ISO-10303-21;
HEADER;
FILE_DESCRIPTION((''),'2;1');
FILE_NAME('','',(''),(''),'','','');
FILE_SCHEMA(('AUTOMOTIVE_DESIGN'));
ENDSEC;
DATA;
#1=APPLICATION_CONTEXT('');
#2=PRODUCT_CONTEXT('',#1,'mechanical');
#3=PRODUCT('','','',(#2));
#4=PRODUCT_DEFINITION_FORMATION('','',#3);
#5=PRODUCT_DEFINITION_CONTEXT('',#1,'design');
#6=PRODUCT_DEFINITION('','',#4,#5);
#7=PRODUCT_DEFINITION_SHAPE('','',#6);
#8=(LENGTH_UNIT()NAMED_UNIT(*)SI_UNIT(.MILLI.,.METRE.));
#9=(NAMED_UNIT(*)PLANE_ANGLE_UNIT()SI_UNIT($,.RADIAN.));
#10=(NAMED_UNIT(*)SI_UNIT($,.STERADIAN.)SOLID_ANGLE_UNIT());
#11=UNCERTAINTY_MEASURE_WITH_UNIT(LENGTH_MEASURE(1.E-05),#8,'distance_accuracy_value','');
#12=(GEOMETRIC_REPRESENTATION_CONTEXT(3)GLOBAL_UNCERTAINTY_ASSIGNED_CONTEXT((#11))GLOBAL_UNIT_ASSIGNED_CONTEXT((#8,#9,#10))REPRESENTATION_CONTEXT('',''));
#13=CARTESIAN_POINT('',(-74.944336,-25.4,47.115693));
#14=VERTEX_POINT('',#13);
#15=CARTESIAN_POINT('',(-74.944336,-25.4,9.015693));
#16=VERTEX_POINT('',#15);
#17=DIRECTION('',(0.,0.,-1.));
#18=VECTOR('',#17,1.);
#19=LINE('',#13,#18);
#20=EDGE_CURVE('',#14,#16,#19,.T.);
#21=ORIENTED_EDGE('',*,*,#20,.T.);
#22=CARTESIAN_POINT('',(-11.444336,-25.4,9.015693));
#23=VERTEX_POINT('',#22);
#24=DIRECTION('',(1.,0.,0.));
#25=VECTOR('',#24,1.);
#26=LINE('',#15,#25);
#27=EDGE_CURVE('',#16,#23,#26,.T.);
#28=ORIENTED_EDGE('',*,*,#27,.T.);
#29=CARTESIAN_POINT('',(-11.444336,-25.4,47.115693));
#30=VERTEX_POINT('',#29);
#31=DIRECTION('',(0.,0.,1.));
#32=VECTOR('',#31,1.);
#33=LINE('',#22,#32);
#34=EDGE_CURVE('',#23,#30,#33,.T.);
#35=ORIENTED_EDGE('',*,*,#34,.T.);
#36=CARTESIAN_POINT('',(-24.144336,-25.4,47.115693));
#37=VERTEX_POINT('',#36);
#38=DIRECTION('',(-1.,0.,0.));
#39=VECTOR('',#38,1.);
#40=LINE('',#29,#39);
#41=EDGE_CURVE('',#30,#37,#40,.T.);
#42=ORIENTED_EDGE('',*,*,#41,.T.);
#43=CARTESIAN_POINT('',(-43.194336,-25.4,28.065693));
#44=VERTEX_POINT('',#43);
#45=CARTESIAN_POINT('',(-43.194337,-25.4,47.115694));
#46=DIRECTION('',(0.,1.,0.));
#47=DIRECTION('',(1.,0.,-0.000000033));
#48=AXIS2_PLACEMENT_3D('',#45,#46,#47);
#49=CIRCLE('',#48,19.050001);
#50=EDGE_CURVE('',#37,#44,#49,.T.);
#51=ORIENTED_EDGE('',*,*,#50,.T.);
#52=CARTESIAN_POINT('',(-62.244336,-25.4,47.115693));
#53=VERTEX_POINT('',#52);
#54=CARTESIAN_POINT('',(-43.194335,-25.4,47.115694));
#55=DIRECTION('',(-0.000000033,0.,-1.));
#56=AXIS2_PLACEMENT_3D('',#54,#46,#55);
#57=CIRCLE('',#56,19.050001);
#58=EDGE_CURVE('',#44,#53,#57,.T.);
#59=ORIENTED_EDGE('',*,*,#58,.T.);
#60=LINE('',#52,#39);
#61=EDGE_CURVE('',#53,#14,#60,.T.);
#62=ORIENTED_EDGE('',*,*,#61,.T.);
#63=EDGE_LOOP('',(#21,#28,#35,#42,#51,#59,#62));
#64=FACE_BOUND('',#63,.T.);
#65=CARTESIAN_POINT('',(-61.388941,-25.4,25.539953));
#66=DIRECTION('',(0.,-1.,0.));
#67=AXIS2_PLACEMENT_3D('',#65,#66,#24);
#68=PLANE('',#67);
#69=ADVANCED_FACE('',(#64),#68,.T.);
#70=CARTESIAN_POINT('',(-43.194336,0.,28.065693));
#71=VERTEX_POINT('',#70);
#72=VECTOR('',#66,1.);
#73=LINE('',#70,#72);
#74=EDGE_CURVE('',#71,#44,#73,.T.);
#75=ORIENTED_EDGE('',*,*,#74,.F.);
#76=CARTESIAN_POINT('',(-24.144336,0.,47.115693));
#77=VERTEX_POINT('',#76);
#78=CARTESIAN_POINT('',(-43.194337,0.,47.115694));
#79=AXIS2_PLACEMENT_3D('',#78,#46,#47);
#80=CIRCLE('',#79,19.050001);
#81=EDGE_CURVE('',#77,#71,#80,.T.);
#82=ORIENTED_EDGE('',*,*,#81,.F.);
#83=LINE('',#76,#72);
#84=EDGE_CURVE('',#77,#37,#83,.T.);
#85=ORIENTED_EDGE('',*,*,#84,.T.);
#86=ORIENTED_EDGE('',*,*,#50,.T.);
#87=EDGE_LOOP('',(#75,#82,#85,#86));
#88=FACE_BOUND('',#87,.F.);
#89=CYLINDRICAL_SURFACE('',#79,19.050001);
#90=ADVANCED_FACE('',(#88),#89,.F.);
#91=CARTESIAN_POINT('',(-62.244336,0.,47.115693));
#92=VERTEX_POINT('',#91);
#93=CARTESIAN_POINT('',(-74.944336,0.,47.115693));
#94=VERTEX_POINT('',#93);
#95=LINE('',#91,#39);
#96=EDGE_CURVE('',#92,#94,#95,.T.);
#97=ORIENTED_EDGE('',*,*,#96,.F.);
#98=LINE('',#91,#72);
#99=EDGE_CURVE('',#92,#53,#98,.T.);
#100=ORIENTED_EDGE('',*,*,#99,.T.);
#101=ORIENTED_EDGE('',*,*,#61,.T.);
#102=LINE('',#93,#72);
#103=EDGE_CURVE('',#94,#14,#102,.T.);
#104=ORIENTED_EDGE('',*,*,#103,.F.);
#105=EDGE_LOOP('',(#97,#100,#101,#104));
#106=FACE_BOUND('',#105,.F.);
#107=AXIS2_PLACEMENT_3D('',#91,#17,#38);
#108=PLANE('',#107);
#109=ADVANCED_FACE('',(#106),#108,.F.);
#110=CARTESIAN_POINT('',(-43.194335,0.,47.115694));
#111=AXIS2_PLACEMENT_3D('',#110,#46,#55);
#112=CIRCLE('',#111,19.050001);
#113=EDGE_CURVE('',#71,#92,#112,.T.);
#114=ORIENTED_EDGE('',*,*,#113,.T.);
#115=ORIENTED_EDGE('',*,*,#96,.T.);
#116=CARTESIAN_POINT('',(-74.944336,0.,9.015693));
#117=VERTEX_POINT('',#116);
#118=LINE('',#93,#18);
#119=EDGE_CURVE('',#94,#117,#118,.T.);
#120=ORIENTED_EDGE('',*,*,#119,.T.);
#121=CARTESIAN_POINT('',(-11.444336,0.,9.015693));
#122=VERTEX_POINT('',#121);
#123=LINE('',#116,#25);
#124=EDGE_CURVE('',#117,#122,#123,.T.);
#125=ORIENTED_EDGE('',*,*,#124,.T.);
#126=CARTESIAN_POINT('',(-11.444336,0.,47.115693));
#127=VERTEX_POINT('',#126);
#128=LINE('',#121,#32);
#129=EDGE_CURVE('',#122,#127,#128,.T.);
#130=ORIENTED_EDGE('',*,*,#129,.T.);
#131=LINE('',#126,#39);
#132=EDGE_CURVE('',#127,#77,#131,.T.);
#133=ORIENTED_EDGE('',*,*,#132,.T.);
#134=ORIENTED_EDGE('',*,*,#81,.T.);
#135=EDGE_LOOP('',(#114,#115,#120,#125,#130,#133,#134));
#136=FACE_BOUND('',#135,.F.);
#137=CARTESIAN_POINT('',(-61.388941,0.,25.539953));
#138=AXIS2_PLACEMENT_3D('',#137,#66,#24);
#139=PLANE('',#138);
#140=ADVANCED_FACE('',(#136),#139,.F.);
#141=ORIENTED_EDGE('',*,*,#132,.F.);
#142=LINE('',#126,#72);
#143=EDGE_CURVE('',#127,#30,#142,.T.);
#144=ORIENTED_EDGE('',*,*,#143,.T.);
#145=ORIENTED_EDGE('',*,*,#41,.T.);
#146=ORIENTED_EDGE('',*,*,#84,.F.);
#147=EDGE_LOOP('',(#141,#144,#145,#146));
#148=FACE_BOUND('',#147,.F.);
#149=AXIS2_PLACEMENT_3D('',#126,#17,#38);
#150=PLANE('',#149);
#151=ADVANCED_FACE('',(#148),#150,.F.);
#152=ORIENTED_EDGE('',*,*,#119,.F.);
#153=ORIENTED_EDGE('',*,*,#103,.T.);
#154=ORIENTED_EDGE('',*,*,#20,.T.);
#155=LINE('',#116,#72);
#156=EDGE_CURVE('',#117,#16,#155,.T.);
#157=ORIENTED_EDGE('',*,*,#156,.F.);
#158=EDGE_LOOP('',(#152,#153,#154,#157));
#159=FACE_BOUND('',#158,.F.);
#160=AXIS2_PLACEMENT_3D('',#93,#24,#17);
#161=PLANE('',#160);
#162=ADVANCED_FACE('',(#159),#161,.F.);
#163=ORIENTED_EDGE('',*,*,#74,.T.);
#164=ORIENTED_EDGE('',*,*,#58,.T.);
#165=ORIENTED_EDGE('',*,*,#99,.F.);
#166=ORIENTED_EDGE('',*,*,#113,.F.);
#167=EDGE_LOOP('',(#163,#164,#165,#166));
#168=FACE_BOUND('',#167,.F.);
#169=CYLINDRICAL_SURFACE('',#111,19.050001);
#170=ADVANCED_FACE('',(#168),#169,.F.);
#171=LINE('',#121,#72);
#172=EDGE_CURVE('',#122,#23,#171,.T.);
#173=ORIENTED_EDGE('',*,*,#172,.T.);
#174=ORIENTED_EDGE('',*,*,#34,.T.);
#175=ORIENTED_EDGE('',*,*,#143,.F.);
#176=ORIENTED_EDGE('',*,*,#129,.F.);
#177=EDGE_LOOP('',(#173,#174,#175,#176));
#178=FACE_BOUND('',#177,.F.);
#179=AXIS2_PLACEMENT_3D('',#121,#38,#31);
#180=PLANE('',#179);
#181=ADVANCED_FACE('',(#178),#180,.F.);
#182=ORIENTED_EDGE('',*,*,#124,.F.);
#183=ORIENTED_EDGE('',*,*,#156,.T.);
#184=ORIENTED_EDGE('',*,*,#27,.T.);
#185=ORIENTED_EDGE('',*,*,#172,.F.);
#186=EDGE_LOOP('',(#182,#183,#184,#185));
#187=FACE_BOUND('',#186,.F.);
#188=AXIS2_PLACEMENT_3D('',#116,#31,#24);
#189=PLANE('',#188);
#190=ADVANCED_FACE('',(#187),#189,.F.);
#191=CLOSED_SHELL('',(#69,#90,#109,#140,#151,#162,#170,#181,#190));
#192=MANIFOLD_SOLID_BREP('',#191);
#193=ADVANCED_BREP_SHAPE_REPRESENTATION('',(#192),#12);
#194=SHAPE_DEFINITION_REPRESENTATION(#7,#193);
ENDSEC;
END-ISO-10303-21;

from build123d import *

# Parameters (mm, degrees)
F1_DEPTH = 25.4


with BuildPart() as f1:
    # F0 (on Front) → F1 (new body)
    with BuildSketch(Plane.XZ):
        with BuildLine():
            Line((-62.244336, 47.115693), (-74.944336, 47.115693))
            Line((-74.944336, 47.115693), (-74.944336, 9.015693))
            Line((-74.944336, 9.015693), (-43.194336, 9.015693))
            Line((-43.194336, 9.015693), (-43.194336, 28.065693))
            ThreePointArc((-43.194336, 28.065693), (-56.66472, 33.645309), (-62.244336, 47.115693))
        make_face()
        with BuildLine():
            Line((-11.444336, 47.115693), (-24.144336, 47.115693))
            ThreePointArc((-24.144336, 47.115693), (-29.723952, 33.645309), (-43.194336, 28.065693))
            Line((-43.194336, 28.065693), (-43.194336, 9.015693))
            Line((-43.194336, 9.015693), (-11.444336, 9.015693))
            Line((-11.444336, 9.015693), (-11.444336, 47.115693))
        make_face()
    extrude(amount=F1_DEPTH)


solid = f1.part
